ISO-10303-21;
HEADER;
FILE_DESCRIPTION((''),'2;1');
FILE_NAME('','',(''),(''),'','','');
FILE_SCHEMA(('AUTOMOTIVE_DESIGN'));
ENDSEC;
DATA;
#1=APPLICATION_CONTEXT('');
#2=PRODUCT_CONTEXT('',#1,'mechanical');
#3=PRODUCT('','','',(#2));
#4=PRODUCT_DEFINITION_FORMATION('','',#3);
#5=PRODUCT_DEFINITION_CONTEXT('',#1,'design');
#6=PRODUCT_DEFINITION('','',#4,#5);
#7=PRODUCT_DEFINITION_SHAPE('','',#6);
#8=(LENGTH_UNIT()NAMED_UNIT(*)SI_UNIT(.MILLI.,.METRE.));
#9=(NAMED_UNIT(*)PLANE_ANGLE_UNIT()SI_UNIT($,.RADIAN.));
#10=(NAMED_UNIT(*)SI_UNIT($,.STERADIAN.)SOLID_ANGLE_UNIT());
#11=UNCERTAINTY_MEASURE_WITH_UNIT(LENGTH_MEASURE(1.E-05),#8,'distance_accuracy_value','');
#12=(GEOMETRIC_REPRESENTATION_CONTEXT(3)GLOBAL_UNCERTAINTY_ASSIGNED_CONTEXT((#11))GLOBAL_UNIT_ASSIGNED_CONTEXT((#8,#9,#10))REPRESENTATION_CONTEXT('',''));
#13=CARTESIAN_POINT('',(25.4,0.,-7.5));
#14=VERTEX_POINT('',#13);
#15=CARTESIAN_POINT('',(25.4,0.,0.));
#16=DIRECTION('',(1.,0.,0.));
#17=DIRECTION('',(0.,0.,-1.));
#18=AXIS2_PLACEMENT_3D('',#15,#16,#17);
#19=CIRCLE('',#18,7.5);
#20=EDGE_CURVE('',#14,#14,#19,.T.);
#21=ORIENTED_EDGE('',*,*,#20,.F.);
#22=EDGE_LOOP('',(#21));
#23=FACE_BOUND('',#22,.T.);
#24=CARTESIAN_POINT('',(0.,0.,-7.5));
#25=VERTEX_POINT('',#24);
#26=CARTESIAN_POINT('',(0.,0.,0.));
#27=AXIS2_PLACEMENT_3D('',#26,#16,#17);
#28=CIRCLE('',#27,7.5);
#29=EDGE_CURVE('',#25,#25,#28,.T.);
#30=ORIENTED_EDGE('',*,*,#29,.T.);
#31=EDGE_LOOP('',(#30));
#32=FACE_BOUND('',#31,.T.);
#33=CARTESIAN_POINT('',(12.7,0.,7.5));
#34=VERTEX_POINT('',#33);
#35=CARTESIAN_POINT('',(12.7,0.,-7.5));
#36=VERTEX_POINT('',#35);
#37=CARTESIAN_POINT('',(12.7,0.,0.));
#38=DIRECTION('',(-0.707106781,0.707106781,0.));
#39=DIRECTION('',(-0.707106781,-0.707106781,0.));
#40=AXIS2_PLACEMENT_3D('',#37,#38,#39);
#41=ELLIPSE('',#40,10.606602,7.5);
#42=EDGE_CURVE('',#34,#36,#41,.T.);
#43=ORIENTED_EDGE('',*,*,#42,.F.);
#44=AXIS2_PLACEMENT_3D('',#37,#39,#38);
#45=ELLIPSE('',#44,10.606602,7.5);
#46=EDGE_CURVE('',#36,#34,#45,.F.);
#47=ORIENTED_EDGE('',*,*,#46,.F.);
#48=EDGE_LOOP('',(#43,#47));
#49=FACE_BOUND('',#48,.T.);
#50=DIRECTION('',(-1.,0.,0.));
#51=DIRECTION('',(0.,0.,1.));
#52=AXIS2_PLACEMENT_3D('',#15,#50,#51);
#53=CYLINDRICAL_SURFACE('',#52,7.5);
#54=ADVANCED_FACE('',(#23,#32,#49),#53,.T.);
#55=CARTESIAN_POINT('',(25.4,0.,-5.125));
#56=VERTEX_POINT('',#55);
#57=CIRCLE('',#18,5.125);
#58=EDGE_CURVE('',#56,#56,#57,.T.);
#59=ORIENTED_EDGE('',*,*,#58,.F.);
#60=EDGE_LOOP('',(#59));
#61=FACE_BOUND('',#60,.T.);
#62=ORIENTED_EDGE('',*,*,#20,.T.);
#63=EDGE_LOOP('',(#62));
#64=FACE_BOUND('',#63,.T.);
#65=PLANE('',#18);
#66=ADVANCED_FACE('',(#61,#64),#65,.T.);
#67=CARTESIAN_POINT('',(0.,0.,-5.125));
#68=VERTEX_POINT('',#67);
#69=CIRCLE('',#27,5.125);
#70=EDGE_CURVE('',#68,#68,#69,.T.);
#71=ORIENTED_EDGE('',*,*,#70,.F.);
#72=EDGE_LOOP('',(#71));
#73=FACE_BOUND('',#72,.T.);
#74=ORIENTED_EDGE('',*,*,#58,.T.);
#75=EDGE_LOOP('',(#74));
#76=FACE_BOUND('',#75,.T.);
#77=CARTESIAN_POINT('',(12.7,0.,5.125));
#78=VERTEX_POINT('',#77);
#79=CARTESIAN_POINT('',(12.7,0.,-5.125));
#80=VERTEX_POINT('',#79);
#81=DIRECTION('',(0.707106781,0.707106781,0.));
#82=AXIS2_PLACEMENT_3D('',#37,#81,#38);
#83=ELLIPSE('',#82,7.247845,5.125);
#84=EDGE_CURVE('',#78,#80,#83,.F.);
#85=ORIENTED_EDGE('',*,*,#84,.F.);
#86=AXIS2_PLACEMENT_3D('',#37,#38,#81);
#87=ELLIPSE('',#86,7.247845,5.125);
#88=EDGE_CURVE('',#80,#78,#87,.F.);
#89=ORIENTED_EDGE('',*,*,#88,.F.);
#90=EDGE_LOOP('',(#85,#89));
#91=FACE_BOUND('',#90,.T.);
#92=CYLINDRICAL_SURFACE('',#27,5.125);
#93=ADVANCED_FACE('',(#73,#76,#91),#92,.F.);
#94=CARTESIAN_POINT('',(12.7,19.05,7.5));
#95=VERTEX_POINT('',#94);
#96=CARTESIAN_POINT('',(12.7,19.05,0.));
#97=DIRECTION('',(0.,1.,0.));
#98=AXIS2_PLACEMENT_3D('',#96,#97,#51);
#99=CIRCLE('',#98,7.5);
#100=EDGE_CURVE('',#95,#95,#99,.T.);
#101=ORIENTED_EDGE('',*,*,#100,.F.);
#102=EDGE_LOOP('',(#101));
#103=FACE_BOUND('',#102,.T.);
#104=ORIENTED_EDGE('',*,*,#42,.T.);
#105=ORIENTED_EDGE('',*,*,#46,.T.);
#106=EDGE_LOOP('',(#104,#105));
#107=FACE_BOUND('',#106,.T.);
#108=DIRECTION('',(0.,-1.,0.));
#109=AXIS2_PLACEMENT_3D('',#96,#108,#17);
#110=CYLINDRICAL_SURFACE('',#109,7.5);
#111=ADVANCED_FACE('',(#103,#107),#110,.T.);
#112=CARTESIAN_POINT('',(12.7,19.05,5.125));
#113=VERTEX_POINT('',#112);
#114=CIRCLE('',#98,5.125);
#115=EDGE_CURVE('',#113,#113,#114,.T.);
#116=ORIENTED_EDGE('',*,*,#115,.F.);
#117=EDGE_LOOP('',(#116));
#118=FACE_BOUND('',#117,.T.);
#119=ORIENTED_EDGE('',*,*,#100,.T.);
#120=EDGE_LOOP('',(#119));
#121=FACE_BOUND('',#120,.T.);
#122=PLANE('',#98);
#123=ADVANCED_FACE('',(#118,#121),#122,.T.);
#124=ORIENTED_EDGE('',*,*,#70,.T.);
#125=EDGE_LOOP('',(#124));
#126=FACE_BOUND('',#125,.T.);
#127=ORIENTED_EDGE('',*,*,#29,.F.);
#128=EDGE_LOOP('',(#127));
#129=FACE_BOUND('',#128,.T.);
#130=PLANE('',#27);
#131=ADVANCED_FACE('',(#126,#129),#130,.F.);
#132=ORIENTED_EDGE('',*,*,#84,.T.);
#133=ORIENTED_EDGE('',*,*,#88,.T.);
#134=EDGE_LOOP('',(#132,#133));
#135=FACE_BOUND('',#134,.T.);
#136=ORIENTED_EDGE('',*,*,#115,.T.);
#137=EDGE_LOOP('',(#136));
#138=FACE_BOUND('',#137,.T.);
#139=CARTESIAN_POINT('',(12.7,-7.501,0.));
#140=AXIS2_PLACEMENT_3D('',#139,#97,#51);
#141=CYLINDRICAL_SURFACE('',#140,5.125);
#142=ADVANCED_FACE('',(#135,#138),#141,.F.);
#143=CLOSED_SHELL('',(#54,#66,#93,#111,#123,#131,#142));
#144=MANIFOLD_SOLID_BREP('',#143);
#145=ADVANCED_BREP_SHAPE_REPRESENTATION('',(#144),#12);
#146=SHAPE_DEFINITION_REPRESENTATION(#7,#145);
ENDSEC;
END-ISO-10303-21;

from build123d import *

# Parameters (mm, degrees)
SKETCH1_R               = 7.5
BOSS_EXTRUDE1_DEPTH     = 25.4
SKETCH2_R               = 7.5
BOSS_EXTRUDE2_DEPTH     = 19.05
SKETCH3_R               = 5.125
CUT_EXTRUDE1_DEPTH      = 33.62380266
CUT_EXTRUDE2_REACH      = 39.501
CUT_EXTRUDE2_END_RADIUS = 5.125
SKETCH4_R               = 5.125


with BuildPart() as part:
    # Sketch1 → Boss-Extrude1 (new body)
    with BuildSketch(Plane(origin=(0, 0, 0), x_dir=(0, 0, -1), z_dir=(1, 0, 0))):
        Circle(SKETCH1_R)
    extrude(amount=BOSS_EXTRUDE1_DEPTH)

    # Sketch2 → Boss-Extrude2 (add)
    with BuildSketch(Plane(origin=(0, 0, 0), x_dir=(1, 0, 0), z_dir=(0, 1, 0))):
        with Locations(Location((12.7, 0, 0), (0, 0, 270))):
            Circle(SKETCH2_R)
    extrude(amount=BOSS_EXTRUDE2_DEPTH)

    # Sketch3 → Cut-Extrude1 (cut, through all)
    with BuildSketch(Plane(origin=(25.4, 0, 0), x_dir=(0, 0, -1), z_dir=(1, 0, 0))):
        Circle(SKETCH3_R)
    extrude(amount=-CUT_EXTRUDE1_DEPTH, mode=Mode.SUBTRACT)

    # Cut-Extrude2: up to this cylinder (the profile starts outside it)
    cut_extrude2_end = Plane(origin=(12.7, 0, 0), z_dir=(1, 0, 0)) * Cylinder(CUT_EXTRUDE2_END_RADIUS, 90.252, mode=Mode.PRIVATE)
    # Sketch4 → Cut-Extrude2 (cut, up to the surface)
    with BuildSketch(Plane(origin=(0, 19.05, 0), x_dir=(1, 0, 0), z_dir=(0, 1, 0)), mode=Mode.PRIVATE) as cut_extrude2_sk1:
        with Locations(Location((12.7, 0, 0), (0, 0, 270))):
            Circle(SKETCH4_R)
    cut_extrude2_tool1 = extrude(cut_extrude2_sk1.sketch, amount=-CUT_EXTRUDE2_REACH, mode=Mode.PRIVATE) - cut_extrude2_end
    add(cut_extrude2_tool1.solids().sort_by_distance((12.7, 19.05, 0))[0], mode=Mode.SUBTRACT)


solid = part.part
